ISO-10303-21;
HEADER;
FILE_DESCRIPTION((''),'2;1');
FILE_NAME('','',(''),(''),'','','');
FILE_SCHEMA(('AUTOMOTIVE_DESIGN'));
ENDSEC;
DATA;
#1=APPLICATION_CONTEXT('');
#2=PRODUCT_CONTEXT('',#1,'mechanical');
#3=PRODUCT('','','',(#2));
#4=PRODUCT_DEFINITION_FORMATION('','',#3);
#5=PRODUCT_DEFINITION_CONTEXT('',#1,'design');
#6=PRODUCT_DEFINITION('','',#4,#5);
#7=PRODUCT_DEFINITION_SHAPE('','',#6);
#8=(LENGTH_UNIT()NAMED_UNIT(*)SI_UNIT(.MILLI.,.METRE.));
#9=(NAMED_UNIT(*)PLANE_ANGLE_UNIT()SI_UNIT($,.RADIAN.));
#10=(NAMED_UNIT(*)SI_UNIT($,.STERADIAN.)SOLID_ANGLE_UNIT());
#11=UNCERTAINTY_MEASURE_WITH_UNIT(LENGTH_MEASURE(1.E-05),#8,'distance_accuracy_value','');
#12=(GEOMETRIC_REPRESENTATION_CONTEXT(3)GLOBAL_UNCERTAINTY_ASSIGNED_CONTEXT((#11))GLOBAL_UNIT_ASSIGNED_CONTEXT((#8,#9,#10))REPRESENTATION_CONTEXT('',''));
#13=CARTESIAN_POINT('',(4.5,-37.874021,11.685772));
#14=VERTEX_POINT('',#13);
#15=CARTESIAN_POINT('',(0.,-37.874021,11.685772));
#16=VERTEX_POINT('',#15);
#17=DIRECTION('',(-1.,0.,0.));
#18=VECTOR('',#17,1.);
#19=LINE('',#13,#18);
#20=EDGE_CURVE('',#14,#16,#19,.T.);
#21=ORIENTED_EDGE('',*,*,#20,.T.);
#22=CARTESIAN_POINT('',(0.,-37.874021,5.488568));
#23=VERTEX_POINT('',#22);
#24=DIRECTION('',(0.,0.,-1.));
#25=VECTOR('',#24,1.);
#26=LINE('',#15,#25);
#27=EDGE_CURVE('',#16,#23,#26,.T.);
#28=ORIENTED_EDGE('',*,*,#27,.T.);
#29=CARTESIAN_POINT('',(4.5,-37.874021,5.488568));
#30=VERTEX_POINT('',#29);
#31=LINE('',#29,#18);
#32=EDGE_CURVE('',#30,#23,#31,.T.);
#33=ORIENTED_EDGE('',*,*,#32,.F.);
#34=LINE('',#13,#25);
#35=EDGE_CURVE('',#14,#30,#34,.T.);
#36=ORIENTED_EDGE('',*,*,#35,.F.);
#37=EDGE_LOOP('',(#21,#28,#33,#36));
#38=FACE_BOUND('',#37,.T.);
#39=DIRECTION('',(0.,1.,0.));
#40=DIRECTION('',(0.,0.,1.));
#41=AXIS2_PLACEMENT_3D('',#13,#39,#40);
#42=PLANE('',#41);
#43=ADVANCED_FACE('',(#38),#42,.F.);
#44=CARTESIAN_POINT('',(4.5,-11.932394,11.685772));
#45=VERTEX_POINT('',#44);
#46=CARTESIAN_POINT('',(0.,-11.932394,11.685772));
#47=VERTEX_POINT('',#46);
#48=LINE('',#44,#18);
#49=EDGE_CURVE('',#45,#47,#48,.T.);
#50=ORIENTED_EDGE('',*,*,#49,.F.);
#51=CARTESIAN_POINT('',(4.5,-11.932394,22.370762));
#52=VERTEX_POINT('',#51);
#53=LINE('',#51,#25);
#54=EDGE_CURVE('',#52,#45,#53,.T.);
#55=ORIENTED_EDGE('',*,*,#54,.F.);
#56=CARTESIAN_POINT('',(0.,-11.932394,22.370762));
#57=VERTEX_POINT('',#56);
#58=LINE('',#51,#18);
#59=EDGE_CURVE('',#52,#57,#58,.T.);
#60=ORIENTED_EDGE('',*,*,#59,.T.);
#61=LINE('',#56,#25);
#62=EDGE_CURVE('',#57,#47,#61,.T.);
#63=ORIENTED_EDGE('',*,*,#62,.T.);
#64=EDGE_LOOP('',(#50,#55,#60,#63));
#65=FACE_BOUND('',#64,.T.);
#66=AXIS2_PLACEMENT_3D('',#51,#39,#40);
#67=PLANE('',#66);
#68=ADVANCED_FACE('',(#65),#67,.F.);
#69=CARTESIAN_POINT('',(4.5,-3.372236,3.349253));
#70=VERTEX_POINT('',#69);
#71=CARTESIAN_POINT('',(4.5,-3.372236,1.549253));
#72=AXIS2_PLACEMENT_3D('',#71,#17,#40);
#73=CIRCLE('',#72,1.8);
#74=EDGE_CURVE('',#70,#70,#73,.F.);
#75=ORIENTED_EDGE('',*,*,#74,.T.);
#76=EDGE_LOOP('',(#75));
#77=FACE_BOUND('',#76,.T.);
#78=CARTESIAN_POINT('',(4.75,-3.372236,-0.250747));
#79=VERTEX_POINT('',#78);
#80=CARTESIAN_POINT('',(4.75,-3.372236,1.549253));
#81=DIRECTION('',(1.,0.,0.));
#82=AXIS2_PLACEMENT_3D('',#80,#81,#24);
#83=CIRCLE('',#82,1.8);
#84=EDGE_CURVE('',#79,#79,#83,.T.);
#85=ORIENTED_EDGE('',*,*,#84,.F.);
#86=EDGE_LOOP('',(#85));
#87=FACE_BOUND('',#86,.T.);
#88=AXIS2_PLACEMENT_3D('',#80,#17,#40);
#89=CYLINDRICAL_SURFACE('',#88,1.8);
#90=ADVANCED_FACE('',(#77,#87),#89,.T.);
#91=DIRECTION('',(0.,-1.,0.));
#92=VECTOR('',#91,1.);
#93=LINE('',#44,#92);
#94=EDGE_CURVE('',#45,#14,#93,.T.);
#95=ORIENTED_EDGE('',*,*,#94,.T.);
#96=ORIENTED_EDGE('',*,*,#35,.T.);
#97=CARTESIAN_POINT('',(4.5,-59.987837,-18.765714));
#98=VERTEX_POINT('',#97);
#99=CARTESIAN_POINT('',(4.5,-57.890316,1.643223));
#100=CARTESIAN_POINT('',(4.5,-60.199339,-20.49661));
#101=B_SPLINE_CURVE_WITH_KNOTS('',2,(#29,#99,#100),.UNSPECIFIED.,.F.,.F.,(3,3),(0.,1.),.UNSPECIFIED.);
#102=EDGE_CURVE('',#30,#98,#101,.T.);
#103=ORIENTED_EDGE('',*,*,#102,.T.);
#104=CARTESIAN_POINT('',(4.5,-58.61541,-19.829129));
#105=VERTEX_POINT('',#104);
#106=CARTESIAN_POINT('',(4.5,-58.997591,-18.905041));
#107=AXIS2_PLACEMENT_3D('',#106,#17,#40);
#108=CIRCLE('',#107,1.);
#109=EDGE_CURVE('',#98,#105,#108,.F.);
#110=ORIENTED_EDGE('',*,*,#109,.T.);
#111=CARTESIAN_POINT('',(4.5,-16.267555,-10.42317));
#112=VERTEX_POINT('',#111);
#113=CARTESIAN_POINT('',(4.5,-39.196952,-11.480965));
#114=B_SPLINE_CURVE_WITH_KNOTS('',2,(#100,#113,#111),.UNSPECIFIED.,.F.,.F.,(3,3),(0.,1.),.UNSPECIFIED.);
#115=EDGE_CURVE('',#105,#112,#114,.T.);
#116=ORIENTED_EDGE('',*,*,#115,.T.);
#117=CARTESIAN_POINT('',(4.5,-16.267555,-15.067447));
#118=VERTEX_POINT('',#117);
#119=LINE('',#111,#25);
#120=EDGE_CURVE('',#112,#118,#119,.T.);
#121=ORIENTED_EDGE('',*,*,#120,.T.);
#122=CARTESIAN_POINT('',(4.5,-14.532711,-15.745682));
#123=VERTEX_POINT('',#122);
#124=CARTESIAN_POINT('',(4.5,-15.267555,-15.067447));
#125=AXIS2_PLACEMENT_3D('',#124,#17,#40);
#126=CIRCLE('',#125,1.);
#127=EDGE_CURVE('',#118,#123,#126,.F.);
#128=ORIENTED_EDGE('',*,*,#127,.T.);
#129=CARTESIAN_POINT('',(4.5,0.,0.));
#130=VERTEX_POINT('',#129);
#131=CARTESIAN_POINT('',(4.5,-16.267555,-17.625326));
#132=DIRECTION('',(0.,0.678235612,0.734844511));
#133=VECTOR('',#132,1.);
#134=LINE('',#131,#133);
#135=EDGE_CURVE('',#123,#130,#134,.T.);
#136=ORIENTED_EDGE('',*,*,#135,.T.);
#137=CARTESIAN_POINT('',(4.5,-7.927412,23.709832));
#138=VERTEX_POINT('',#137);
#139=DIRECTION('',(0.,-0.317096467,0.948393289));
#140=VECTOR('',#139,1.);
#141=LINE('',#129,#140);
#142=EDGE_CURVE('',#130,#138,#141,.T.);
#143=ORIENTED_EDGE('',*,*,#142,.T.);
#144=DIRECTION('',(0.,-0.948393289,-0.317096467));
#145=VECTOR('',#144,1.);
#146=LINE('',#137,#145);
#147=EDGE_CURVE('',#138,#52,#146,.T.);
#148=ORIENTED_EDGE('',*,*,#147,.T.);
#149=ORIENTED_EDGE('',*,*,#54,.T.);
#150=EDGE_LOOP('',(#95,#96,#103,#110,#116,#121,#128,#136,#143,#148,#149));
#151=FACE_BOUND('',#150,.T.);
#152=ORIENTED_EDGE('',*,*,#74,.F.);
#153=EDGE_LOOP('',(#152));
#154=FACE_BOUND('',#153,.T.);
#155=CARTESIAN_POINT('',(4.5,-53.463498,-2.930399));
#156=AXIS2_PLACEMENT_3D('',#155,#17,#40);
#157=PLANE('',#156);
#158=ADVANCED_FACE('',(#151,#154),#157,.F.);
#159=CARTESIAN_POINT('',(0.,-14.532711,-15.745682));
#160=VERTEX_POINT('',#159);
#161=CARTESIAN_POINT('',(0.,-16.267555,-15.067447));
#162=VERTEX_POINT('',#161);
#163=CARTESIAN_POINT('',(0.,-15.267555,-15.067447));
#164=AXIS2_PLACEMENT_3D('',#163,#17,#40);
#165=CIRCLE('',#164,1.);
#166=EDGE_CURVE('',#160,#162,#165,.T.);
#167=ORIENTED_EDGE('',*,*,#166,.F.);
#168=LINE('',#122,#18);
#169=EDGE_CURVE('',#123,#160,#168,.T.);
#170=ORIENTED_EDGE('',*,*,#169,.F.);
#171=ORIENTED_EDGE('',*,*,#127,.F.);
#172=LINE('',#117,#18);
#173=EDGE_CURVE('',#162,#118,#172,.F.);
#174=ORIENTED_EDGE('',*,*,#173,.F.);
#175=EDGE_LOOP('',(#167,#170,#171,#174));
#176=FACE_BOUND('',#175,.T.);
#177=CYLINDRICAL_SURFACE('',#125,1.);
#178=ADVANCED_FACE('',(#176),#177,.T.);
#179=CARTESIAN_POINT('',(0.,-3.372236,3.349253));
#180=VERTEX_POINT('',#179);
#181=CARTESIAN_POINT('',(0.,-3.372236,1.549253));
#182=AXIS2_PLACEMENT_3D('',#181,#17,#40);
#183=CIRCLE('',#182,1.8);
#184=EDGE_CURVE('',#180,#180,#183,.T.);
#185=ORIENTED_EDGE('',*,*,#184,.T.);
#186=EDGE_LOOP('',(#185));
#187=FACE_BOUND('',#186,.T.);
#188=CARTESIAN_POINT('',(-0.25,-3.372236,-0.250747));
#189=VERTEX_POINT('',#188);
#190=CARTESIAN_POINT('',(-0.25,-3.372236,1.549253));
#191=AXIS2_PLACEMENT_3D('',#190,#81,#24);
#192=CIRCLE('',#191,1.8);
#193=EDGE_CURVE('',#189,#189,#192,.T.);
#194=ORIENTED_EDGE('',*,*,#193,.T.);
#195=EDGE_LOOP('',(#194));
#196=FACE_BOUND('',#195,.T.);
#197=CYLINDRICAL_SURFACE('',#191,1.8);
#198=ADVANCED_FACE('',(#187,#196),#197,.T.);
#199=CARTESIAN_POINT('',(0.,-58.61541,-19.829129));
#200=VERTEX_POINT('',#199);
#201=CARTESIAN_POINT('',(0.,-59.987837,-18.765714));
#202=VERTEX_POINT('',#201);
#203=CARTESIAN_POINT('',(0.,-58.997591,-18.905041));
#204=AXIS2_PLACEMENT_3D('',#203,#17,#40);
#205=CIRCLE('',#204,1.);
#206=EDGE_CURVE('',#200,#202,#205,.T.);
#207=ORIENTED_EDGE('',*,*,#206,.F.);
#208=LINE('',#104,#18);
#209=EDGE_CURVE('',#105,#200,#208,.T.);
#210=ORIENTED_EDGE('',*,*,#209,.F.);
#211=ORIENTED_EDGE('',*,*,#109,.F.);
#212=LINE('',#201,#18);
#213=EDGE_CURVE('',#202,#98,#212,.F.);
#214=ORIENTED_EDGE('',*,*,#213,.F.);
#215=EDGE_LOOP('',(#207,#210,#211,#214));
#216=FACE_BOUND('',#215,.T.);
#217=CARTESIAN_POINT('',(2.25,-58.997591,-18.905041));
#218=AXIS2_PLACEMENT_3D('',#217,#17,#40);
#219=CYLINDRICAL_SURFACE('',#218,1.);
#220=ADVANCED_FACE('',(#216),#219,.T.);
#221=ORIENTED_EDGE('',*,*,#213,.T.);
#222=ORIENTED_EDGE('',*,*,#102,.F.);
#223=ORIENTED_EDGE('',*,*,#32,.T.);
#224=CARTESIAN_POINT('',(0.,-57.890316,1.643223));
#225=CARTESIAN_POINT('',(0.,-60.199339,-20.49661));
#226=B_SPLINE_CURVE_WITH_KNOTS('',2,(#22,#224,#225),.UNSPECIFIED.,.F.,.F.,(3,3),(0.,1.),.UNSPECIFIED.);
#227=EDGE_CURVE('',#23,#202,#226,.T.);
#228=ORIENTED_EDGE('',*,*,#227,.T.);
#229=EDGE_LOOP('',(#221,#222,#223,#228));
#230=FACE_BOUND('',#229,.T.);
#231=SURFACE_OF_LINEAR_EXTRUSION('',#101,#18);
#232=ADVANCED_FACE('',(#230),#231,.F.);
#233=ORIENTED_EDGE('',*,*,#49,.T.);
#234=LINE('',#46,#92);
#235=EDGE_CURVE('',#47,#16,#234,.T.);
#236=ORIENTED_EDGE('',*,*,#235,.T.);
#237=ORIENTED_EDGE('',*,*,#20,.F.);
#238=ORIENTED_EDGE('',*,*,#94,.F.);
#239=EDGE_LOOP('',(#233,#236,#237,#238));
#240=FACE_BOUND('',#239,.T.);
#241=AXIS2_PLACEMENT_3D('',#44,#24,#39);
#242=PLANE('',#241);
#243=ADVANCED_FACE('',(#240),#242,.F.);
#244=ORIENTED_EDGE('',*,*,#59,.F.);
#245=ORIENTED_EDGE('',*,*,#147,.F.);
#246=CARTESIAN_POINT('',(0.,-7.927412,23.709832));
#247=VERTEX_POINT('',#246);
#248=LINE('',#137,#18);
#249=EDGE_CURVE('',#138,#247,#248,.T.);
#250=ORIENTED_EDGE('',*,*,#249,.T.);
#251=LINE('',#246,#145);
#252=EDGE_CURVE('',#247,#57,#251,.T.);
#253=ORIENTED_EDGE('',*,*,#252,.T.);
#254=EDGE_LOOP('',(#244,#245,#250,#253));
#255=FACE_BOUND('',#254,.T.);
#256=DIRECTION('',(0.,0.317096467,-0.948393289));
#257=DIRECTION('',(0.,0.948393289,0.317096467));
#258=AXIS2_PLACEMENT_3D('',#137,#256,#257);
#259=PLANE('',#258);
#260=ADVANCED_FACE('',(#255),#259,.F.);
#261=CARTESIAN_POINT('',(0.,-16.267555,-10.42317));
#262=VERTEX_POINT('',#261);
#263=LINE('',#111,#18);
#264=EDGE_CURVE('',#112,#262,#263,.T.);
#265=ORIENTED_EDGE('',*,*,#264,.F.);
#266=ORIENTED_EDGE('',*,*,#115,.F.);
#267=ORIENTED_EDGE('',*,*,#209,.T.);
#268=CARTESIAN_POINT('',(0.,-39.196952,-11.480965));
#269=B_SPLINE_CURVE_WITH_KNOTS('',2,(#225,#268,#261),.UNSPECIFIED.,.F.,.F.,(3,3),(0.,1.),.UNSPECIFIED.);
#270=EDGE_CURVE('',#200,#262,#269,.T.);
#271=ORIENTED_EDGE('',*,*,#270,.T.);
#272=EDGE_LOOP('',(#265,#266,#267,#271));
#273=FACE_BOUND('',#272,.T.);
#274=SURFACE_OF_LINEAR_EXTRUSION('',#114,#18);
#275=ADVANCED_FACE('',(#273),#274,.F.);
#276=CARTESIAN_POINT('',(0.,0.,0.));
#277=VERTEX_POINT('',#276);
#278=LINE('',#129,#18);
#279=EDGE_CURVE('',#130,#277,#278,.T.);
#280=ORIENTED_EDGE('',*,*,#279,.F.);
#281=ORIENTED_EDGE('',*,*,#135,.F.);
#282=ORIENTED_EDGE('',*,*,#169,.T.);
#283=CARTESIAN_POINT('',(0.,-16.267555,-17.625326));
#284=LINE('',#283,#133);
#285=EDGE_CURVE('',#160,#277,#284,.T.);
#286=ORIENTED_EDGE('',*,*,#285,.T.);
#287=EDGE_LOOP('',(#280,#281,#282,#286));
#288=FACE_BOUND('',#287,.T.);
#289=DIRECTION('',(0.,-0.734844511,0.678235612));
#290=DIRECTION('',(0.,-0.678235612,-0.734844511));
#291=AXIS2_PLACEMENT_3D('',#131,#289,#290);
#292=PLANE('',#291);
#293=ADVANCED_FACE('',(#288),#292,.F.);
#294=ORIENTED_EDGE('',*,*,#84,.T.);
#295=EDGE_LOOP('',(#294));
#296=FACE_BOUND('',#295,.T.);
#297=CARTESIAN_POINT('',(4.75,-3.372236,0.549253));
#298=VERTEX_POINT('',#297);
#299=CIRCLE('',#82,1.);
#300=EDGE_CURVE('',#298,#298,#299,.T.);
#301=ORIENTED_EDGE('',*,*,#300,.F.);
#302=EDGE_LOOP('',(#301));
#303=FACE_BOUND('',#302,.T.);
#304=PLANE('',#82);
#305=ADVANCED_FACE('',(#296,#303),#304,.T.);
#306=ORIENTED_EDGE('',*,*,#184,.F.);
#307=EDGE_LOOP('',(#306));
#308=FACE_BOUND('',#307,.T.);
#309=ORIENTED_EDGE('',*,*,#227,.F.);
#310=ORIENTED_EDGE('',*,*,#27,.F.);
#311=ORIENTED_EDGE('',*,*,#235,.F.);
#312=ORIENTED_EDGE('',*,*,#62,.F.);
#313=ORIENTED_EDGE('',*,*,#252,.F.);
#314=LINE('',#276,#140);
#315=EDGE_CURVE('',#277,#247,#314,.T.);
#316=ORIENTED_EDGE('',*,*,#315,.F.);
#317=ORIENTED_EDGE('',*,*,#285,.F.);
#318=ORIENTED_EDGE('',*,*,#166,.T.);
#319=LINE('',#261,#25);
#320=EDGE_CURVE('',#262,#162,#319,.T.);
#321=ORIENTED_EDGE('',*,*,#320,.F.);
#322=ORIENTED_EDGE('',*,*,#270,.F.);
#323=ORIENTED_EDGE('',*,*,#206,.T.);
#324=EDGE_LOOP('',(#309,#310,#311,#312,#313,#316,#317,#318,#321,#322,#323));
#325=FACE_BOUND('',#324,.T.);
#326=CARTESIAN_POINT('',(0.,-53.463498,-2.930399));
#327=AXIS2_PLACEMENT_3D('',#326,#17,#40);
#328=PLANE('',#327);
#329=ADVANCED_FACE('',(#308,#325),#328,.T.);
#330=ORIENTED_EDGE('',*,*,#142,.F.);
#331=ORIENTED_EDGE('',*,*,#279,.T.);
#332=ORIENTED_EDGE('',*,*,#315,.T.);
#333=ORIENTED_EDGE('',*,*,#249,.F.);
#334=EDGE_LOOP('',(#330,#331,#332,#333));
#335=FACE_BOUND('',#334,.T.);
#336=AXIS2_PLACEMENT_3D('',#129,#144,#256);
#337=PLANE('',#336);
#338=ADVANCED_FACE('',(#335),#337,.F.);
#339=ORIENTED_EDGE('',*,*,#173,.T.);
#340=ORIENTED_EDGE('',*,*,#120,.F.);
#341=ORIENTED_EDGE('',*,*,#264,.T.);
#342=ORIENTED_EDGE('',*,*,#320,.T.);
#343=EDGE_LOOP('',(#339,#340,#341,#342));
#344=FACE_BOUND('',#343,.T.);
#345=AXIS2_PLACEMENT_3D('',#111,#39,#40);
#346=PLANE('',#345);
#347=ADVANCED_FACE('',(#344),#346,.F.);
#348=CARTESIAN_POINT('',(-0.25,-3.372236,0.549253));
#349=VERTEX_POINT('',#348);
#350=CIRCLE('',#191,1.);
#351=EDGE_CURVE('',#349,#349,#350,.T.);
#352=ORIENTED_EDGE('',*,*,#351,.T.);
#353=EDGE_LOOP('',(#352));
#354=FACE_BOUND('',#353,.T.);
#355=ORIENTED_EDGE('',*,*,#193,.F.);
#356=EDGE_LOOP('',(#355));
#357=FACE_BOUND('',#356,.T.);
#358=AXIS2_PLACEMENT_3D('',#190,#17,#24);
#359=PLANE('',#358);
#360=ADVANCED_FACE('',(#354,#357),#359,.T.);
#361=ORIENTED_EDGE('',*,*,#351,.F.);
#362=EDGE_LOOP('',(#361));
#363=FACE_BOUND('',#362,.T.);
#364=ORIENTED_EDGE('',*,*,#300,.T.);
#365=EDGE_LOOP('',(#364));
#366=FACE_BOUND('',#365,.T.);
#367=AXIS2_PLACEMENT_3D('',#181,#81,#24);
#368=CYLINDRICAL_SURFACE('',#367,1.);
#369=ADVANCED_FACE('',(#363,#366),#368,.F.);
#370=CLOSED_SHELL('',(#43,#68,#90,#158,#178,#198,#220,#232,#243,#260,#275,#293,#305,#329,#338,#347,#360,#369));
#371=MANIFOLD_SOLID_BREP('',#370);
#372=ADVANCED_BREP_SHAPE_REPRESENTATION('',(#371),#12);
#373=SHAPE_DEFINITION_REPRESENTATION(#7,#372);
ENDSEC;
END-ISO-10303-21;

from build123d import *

# Parameters (mm, degrees)
BOSS_EXTRUDE2_DEPTH     = 4.5
SKETCH4_R               = 1
CUT_EXTRUDE2_DEPTH      = 1.0000001
CUT_EXTRUDE2_DEPTH_BACK = 5.5000001
FILLET1_R               = 1
FILLET2_R               = 1
SKETCH5_R               = 1.8
BOSS_EXTRUDE3_DEPTH     = 0.25
SKETCH7_R               = 1
CUT_EXTRUDE3_DEPTH      = 5.7500001


with BuildPart() as part:
    # Sketch3 → Boss-Extrude2 (new body)
    with BuildSketch(Plane(origin=(0, 0, 0), x_dir=(0, 0, -1), z_dir=(1, 0, 0))):
        with BuildLine():
            Line((0, 0), (-23.709832228, -7.927411666))
            Line((-23.709832228, -7.927411666), (-22.370761505, -11.93239381))
            Line((-22.370761505, -11.93239381), (-11.685771853, -11.93239381))
            Line((-11.685771853, -11.93239381), (-11.685771853, -37.874021232))
            Line((-11.685771853, -37.874021232), (-5.488568376, -37.874021232))
            add(Edge.make_bspline(
                [(-5.488568376, -37.874021232), (-1.643222614, -57.890316076), (20.496609615, -60.199338536)],
                knots=[0, 0, 0, 1, 1, 1], degree=2))
            add(Edge.make_bspline(
                [(20.496609615, -60.199338536), (11.480964524, -39.196951523), (10.423170282, -16.267555055)],
                knots=[0, 0, 0, 1, 1, 1], degree=2))
            Line((10.423170282, -16.267555055), (17.625325674, -16.267555055))
            Line((17.625325674, -16.267555055), (0, 0))
        make_face()
    extrude(amount=BOSS_EXTRUDE2_DEPTH)

    # Sketch4 → Cut-Extrude2 (cut, two sides)
    with BuildSketch(Plane(origin=(4.5, 0, 0), x_dir=(0, 0, -1), z_dir=(1, 0, 0))) as cut_extrude2_sk:
        with Locations((-1.549252561, -3.372235527)):
            Circle(SKETCH4_R)
    extrude(amount=CUT_EXTRUDE2_DEPTH, mode=Mode.SUBTRACT)
    extrude(cut_extrude2_sk.sketch, amount=-CUT_EXTRUDE2_DEPTH_BACK, mode=Mode.SUBTRACT)

    # Fillet1
    fillet1_edges = [part.edges().sort_by_distance(p)[0] for p in [
        (2.25, -16.267555055, -17.625325674),
    ]]
    fillet(fillet1_edges, radius=FILLET1_R)

    # Fillet2
    fillet2_edges = [part.edges().sort_by_distance(p)[0] for p in [
        (2.25, -60.199338536, -20.496609615),
    ]]
    fillet(fillet2_edges, radius=FILLET2_R)

    # Sketch5 → Boss-Extrude3 (add)
    with BuildSketch(Plane(origin=(4.5, 0, 0), x_dir=(0, 0, -1), z_dir=(1, 0, 0))):
        with Locations((-1.549252561, -3.372235527)):
            Circle(SKETCH5_R)
    boss_extrude3 = extrude(amount=BOSS_EXTRUDE3_DEPTH)

    # Sketch7 → Cut-Extrude3 (cut, through all)
    with BuildSketch(Plane(origin=(4.75, 0, 0), x_dir=(0, 0, -1), z_dir=(1, 0, 0))):
        with Locations((-1.549252561, -3.372235527)):
            Circle(SKETCH7_R)
    cut_extrude3 = extrude(amount=-CUT_EXTRUDE3_DEPTH, mode=Mode.SUBTRACT)

    # Mirror1: Boss-Extrude3, Cut-Extrude3 across plane
    add(boss_extrude3.mirror(Plane(origin=(2.25, 0, 0), x_dir=(0, 0, 1), z_dir=(1, 0, 0))))
    add(cut_extrude3.mirror(Plane(origin=(2.25, 0, 0), x_dir=(0, 0, 1), z_dir=(1, 0, 0))), mode=Mode.SUBTRACT)


solid = part.part
